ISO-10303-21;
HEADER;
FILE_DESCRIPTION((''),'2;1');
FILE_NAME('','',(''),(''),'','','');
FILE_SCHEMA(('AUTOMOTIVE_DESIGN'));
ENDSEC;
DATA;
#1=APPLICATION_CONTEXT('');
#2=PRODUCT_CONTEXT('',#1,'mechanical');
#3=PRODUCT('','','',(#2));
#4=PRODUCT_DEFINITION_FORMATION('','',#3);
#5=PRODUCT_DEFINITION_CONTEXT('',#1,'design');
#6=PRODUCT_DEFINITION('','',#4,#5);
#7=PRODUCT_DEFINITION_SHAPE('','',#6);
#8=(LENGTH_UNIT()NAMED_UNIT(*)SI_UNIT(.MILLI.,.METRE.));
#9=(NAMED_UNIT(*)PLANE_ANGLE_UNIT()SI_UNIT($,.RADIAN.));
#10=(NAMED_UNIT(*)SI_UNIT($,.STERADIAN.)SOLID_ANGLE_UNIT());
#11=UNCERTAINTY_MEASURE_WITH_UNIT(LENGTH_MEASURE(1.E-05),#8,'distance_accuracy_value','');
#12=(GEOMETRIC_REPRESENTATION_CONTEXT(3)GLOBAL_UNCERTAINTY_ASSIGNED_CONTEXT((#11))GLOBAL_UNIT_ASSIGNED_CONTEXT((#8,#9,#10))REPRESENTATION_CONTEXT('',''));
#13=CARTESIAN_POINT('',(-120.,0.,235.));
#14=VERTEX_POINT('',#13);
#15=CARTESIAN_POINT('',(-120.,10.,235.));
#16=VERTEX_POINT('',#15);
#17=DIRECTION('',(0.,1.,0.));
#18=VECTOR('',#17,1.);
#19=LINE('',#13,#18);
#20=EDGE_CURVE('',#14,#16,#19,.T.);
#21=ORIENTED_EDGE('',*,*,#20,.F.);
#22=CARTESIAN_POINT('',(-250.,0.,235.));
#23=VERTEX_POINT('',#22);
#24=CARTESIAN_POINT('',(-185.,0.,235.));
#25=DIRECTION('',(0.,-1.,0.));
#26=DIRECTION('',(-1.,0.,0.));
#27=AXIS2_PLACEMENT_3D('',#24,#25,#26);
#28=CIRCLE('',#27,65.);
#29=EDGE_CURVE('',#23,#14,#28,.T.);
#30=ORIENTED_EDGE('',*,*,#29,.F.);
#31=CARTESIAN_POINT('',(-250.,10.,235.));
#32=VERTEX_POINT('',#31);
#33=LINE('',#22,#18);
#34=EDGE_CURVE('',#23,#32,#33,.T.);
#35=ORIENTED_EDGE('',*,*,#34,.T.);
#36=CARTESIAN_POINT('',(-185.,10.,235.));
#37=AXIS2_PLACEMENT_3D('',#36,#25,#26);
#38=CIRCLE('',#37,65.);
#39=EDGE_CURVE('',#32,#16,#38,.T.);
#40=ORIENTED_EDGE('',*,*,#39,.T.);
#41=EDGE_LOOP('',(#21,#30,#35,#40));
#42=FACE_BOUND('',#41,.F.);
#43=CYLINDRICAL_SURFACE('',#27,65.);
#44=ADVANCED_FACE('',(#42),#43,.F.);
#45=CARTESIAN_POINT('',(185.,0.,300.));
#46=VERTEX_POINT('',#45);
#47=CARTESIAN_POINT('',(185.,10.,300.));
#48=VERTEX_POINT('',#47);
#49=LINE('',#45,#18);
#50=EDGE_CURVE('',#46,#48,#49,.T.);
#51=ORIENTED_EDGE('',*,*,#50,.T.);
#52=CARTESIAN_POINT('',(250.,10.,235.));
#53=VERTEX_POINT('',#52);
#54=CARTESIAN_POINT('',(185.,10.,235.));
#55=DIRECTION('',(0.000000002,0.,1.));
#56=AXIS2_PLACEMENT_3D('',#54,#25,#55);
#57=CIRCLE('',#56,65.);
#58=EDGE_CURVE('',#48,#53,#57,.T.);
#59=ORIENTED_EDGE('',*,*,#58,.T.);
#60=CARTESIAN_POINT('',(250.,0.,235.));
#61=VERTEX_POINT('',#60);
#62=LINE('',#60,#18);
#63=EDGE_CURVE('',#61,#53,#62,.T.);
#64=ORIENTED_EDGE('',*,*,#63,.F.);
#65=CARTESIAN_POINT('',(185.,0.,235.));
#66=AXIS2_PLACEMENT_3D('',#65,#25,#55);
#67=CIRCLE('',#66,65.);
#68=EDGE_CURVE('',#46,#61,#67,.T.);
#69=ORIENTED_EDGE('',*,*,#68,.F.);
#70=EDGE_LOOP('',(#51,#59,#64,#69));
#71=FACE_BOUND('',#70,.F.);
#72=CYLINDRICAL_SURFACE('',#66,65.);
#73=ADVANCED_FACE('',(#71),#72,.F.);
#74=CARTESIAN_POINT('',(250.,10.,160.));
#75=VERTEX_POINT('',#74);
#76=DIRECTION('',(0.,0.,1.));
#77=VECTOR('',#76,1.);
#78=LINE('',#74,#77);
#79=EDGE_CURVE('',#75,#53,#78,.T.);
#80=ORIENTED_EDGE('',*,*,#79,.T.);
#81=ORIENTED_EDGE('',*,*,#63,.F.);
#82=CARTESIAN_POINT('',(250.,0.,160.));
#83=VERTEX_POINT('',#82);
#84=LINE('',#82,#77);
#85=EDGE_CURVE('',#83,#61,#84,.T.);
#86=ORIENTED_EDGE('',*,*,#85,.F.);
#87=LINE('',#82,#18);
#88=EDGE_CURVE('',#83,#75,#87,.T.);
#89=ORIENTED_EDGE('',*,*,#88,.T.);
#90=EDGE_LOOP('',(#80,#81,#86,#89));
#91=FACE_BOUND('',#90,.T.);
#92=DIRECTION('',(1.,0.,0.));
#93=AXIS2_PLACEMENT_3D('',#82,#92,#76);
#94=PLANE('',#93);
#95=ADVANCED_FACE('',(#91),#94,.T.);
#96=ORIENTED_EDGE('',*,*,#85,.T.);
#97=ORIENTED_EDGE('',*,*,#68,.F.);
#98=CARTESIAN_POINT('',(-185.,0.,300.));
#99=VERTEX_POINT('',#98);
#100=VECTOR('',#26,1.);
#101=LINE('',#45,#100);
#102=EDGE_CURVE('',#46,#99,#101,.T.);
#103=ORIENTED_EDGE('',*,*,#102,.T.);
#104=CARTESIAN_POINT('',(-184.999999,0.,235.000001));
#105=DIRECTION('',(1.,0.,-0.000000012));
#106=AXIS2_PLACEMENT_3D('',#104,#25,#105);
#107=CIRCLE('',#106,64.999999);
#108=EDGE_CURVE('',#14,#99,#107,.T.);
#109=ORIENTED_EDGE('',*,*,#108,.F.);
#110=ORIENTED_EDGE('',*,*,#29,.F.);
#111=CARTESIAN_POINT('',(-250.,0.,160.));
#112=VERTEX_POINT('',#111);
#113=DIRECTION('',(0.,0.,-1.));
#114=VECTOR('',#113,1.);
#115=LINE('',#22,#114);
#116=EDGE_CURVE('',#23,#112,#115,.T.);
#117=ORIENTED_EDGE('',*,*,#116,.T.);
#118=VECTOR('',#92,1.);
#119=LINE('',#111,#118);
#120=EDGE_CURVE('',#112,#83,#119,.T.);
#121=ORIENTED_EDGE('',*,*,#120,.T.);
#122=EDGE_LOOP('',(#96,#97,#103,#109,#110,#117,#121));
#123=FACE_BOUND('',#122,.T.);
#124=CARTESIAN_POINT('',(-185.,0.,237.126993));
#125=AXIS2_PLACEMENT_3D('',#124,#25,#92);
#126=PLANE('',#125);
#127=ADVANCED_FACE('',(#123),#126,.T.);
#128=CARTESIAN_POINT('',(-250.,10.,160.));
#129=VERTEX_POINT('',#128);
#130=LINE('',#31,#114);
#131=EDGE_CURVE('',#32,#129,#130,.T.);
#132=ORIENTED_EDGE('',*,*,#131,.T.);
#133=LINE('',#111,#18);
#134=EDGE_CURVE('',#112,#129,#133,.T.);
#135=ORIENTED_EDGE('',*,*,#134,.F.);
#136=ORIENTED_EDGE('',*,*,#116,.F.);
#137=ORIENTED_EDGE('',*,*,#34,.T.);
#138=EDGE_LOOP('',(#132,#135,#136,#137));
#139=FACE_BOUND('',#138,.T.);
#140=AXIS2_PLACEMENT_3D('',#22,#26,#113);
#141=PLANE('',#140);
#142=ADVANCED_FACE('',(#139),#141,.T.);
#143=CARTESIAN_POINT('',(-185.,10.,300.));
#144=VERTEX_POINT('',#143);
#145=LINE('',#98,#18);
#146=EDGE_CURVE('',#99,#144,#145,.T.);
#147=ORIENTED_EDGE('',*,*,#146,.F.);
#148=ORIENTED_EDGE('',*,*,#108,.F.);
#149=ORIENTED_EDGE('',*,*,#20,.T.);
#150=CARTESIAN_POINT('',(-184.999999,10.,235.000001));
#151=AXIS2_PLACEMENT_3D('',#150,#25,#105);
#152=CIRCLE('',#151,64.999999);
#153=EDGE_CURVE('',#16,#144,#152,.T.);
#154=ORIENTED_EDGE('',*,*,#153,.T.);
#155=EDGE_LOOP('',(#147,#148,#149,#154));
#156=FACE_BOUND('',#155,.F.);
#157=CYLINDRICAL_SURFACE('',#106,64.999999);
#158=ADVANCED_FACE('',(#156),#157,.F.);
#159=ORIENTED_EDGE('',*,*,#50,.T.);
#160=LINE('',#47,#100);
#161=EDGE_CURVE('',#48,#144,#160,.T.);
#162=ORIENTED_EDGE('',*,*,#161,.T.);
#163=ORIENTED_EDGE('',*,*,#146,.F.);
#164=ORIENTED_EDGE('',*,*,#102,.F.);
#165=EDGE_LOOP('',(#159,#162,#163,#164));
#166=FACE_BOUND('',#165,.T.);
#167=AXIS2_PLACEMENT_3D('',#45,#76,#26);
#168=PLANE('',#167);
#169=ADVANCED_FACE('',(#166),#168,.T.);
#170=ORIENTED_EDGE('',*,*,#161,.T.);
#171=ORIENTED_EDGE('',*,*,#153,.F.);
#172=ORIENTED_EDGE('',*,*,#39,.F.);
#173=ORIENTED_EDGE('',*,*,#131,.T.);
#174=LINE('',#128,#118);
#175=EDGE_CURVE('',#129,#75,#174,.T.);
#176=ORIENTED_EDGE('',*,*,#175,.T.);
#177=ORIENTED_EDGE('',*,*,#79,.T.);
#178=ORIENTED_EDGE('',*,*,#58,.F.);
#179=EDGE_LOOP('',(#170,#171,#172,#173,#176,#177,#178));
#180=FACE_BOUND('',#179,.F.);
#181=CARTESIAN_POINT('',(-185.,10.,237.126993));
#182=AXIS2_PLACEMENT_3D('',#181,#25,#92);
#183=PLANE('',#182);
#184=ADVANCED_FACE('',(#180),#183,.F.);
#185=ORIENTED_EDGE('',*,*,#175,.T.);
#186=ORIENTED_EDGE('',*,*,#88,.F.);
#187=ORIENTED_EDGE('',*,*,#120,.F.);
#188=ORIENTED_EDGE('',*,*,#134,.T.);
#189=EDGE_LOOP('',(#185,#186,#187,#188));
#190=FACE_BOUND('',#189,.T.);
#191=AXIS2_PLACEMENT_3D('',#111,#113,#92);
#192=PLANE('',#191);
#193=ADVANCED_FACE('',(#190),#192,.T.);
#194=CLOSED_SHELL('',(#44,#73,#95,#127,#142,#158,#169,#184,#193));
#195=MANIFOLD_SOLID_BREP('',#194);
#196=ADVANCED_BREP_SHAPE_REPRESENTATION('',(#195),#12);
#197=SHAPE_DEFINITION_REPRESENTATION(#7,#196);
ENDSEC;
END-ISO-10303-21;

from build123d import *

# Parameters (mm, degrees)
F1_DEPTH = 10
F2_DEPTH = 25
F3_DEPTH = 25


with BuildPart() as f1:
    # F0 (on Front) → F1 (new body)
    with BuildSketch(Plane.XZ):
        with BuildLine():
            ThreePointArc((-120, 235), (-139.038059, 280.961941), (-185, 300))
            ThreePointArc((-185, 300), (-230.961941, 280.961941), (-250, 235))
            ThreePointArc((-250, 235), (-185, 170), (-120, 235))
        make_face()
        with BuildLine():
            Line((0, 300), (-185, 300))
            ThreePointArc((-185, 300), (-139.038059, 280.961941), (-120, 235))
            ThreePointArc((-120, 235), (-185, 170), (-250, 235))
            Line((-250, 235), (-250, 160))
            Line((-250, 160), (0, 160))
            Line((0, 160), (0, 300))
        make_face()
        with BuildLine():
            Line((185, 300), (0, 300))
            Line((0, 300), (0, 160))
            Line((0, 160), (250, 160))
            Line((250, 160), (250, 235))
            ThreePointArc((250, 235), (139.038059, 189.038059), (185, 300))
        make_face()
        with BuildLine():
            ThreePointArc((250, 235), (230.961941, 280.961941), (185, 300))
            ThreePointArc((185, 300), (139.038059, 189.038059), (250, 235))
        make_face()
    extrude(amount=-F1_DEPTH)

    # F0 (on Front) → F2 (cut)
    with BuildSketch(Plane.XZ):
        with BuildLine():
            ThreePointArc((-120, 235), (-139.038059, 280.961941), (-185, 300))
            ThreePointArc((-185, 300), (-230.961941, 280.961941), (-250, 235))
            ThreePointArc((-250, 235), (-185, 170), (-120, 235))
        make_face()
    extrude(amount=-F2_DEPTH, mode=Mode.SUBTRACT)

    # F0 (on Front) → F3 (cut)
    with BuildSketch(Plane.XZ):
        with BuildLine():
            ThreePointArc((250, 235), (230.961941, 280.961941), (185, 300))
            ThreePointArc((185, 300), (139.038059, 189.038059), (250, 235))
        make_face()
    extrude(amount=-F3_DEPTH, mode=Mode.SUBTRACT)


solid = f1.part
